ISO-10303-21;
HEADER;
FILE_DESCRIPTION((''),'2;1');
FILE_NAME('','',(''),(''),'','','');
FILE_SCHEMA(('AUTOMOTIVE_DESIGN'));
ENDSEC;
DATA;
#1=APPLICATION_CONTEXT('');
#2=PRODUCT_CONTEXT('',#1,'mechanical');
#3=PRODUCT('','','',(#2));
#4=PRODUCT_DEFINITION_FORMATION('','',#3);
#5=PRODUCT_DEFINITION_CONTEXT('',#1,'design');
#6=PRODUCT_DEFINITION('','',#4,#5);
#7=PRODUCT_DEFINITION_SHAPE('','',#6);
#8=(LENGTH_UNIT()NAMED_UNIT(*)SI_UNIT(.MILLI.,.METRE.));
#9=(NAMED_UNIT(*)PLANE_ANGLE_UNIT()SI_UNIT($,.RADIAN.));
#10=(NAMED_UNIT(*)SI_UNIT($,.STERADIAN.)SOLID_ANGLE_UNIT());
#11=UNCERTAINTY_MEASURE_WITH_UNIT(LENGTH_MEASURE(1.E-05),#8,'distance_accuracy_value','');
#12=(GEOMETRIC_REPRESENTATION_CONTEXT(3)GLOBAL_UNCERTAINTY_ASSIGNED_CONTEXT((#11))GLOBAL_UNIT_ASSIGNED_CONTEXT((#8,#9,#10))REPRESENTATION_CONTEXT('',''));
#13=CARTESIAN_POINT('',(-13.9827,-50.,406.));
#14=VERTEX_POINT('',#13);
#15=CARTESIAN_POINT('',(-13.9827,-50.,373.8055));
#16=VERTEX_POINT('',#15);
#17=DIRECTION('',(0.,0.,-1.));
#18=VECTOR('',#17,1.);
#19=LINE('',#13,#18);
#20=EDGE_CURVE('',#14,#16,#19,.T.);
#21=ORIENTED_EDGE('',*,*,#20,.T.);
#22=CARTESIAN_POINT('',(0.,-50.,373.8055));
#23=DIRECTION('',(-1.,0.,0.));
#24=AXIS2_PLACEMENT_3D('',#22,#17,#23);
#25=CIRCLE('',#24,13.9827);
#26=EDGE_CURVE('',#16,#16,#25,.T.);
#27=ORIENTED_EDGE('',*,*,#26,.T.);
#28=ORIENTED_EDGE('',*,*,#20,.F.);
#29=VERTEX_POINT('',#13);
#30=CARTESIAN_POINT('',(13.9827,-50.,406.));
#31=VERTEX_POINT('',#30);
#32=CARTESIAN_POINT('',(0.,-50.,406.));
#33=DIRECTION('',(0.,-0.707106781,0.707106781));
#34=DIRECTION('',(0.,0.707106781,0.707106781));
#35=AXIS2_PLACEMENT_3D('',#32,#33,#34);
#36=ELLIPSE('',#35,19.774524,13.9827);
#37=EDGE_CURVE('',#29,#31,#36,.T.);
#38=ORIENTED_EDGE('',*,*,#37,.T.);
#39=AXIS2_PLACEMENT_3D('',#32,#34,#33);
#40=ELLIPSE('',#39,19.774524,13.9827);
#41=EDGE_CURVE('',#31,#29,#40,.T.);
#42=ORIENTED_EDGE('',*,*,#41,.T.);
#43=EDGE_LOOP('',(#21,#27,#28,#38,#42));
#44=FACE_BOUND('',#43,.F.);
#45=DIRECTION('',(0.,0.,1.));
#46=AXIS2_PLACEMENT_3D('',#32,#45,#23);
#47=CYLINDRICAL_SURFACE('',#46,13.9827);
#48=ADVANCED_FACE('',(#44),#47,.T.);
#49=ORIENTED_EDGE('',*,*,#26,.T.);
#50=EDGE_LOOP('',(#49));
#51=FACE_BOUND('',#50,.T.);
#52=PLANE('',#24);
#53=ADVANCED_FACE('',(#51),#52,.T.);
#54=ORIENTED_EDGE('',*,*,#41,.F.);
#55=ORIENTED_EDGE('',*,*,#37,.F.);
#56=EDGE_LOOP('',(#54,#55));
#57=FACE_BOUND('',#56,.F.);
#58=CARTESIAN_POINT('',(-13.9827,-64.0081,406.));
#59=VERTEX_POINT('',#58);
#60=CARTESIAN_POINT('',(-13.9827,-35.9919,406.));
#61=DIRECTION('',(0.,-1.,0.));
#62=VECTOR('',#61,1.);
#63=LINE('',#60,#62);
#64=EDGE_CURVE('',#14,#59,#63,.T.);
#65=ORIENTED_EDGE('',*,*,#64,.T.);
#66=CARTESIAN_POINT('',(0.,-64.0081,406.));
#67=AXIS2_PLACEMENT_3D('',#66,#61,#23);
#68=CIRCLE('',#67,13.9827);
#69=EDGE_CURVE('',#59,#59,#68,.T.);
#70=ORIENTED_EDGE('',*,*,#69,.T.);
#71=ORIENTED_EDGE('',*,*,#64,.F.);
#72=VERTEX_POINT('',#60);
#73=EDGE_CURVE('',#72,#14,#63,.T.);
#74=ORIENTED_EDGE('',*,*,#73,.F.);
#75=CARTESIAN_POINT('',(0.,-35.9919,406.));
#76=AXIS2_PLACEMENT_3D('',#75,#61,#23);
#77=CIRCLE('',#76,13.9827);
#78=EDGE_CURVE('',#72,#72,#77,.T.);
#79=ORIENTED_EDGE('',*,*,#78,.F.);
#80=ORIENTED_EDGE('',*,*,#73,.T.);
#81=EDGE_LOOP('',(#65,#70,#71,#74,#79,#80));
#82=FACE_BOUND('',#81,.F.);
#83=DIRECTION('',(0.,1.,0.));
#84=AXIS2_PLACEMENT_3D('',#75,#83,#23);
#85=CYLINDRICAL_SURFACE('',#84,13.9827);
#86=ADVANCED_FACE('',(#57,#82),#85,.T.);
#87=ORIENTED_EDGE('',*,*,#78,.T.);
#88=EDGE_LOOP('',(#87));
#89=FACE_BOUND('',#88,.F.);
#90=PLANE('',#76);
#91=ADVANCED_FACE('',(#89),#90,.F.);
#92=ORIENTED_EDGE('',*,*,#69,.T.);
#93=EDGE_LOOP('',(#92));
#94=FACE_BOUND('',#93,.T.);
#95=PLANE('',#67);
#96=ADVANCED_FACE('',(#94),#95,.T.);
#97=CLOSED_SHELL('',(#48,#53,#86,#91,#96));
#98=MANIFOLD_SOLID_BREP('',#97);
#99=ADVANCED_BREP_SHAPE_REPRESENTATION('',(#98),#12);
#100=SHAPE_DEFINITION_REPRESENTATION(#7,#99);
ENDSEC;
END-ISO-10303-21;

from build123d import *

# Parameters (mm, degrees)
CYLINDER048_R             = 13.9827
CYLINDER048_DEPTH         = 28.0162
CYLINDER047_R             = 13.9827
CYLINDER047_DEPTH         = 32.1945
FUSION019_PLACEMENT_ANGLE = 180


with BuildPart() as cylinder048:
    # Cylinder048 → Cylinder048 (new body)
    with BuildSketch(Plane.XZ.offset(-14.0081)):
        Circle(CYLINDER048_R)
    extrude(amount=CYLINDER048_DEPTH)


with BuildPart() as middle_outer_slip_l:
    # Cylinder047 → Cylinder047 (new body)
    with BuildSketch(Plane.XY):
        Circle(CYLINDER047_R)
    extrude(amount=CYLINDER047_DEPTH)

    # Fusion019: union Cylinder048
    add(cylinder048.part)


with BuildPart() as middle_outer_slip_l_1:
    # Fusion019 placement: moved
    add(middle_outer_slip_l.part.moved(Location((0, -50, 406))).rotate(Axis((0, -50, 406), (0, 1, 0)), FUSION019_PLACEMENT_ANGLE))


solid = middle_outer_slip_l_1.part
